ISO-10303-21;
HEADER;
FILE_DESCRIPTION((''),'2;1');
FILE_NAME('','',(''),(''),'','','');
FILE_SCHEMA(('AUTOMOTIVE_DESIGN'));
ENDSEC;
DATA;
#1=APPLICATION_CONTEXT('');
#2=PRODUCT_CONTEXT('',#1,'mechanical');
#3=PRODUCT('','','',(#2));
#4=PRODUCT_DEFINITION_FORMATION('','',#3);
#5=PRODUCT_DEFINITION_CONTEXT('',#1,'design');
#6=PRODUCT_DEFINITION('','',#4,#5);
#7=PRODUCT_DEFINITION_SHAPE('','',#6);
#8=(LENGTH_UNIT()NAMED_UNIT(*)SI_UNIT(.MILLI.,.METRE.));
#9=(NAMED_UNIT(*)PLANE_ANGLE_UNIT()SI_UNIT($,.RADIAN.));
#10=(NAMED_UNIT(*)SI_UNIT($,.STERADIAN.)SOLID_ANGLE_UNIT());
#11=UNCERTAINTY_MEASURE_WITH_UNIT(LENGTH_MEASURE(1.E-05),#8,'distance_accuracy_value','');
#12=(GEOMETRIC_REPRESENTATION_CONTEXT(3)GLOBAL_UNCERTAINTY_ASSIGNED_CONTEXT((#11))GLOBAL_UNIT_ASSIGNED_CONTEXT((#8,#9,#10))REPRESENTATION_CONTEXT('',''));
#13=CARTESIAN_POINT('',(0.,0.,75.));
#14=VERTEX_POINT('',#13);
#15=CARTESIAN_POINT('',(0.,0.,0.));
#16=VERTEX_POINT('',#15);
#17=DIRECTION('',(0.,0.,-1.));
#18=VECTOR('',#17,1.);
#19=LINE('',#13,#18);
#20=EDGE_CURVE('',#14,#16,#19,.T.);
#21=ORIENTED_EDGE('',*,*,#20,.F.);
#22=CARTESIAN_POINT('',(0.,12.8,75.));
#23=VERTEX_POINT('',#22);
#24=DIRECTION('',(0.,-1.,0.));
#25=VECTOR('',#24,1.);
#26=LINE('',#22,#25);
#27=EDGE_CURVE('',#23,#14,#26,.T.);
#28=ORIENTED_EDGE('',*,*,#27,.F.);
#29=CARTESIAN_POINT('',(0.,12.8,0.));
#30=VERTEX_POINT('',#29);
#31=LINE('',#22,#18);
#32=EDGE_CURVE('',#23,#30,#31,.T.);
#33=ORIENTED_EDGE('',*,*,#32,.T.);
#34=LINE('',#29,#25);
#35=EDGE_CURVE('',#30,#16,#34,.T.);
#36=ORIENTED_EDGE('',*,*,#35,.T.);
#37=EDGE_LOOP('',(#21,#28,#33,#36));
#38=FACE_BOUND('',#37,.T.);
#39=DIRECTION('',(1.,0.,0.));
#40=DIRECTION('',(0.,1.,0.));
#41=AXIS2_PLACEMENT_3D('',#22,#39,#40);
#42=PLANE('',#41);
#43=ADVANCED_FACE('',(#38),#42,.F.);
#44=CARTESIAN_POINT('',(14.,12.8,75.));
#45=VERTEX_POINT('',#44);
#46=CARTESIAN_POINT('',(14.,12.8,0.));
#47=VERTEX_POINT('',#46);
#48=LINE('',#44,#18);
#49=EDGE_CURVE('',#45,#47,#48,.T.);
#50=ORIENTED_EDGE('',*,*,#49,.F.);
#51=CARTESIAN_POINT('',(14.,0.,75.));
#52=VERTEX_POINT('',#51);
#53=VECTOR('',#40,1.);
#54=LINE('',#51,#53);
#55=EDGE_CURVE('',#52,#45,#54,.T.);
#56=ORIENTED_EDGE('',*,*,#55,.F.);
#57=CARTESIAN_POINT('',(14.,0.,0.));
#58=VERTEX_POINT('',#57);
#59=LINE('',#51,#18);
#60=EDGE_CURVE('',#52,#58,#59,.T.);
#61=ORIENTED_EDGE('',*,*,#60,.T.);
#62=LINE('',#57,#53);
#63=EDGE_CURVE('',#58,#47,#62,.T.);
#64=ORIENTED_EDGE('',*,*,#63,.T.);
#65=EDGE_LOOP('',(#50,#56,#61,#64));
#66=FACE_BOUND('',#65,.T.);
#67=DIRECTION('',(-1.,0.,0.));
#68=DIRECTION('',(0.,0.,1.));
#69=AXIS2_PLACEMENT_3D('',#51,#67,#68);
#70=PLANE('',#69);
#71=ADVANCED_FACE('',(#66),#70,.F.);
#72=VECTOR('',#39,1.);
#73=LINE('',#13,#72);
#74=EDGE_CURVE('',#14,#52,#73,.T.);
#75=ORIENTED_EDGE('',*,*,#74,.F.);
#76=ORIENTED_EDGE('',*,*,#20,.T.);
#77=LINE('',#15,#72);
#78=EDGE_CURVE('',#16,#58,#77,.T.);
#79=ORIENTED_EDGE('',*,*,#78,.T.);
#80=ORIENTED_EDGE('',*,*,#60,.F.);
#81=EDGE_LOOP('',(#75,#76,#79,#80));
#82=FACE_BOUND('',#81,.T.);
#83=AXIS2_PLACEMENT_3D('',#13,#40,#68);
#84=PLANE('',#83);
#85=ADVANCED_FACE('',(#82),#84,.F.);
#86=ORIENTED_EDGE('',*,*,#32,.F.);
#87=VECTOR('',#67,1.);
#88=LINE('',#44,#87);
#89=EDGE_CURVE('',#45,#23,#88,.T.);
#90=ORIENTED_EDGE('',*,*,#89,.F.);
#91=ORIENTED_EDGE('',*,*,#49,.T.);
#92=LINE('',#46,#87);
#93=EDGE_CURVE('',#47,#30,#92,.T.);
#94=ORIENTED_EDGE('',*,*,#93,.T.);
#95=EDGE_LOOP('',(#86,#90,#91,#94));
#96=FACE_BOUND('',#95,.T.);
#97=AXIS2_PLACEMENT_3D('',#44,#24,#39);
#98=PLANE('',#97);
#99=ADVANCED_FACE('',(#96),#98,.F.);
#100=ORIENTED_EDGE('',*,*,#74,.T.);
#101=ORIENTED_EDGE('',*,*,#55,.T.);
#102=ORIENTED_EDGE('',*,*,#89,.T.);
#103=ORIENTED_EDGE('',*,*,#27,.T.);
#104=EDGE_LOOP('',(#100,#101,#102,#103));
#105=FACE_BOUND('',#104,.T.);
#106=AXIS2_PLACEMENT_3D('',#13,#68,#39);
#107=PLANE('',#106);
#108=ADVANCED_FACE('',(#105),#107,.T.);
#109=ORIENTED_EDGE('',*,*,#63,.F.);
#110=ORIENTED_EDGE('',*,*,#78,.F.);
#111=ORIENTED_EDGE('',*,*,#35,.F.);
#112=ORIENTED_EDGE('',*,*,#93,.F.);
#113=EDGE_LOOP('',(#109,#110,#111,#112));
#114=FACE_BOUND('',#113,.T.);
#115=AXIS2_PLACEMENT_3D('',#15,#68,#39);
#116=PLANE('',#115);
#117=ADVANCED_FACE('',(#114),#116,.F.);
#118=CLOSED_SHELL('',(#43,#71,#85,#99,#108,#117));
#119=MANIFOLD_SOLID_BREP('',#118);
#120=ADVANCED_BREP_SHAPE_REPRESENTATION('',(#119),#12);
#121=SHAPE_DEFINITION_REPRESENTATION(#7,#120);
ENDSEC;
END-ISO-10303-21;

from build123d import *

# Parameters (mm, degrees)
ESBO_O1_W                = 14
ESBO_O1_H                = 12.8
RESSALTO_EXTRUS_O1_DEPTH = 75


with BuildPart() as part:
    # Esboço1 → Ressalto-extrusão1 (new body)
    with BuildSketch(Plane.XY):
        with Locations((7, 6.4)):
            Rectangle(ESBO_O1_W, ESBO_O1_H)
    extrude(amount=RESSALTO_EXTRUS_O1_DEPTH)


solid = part.part
